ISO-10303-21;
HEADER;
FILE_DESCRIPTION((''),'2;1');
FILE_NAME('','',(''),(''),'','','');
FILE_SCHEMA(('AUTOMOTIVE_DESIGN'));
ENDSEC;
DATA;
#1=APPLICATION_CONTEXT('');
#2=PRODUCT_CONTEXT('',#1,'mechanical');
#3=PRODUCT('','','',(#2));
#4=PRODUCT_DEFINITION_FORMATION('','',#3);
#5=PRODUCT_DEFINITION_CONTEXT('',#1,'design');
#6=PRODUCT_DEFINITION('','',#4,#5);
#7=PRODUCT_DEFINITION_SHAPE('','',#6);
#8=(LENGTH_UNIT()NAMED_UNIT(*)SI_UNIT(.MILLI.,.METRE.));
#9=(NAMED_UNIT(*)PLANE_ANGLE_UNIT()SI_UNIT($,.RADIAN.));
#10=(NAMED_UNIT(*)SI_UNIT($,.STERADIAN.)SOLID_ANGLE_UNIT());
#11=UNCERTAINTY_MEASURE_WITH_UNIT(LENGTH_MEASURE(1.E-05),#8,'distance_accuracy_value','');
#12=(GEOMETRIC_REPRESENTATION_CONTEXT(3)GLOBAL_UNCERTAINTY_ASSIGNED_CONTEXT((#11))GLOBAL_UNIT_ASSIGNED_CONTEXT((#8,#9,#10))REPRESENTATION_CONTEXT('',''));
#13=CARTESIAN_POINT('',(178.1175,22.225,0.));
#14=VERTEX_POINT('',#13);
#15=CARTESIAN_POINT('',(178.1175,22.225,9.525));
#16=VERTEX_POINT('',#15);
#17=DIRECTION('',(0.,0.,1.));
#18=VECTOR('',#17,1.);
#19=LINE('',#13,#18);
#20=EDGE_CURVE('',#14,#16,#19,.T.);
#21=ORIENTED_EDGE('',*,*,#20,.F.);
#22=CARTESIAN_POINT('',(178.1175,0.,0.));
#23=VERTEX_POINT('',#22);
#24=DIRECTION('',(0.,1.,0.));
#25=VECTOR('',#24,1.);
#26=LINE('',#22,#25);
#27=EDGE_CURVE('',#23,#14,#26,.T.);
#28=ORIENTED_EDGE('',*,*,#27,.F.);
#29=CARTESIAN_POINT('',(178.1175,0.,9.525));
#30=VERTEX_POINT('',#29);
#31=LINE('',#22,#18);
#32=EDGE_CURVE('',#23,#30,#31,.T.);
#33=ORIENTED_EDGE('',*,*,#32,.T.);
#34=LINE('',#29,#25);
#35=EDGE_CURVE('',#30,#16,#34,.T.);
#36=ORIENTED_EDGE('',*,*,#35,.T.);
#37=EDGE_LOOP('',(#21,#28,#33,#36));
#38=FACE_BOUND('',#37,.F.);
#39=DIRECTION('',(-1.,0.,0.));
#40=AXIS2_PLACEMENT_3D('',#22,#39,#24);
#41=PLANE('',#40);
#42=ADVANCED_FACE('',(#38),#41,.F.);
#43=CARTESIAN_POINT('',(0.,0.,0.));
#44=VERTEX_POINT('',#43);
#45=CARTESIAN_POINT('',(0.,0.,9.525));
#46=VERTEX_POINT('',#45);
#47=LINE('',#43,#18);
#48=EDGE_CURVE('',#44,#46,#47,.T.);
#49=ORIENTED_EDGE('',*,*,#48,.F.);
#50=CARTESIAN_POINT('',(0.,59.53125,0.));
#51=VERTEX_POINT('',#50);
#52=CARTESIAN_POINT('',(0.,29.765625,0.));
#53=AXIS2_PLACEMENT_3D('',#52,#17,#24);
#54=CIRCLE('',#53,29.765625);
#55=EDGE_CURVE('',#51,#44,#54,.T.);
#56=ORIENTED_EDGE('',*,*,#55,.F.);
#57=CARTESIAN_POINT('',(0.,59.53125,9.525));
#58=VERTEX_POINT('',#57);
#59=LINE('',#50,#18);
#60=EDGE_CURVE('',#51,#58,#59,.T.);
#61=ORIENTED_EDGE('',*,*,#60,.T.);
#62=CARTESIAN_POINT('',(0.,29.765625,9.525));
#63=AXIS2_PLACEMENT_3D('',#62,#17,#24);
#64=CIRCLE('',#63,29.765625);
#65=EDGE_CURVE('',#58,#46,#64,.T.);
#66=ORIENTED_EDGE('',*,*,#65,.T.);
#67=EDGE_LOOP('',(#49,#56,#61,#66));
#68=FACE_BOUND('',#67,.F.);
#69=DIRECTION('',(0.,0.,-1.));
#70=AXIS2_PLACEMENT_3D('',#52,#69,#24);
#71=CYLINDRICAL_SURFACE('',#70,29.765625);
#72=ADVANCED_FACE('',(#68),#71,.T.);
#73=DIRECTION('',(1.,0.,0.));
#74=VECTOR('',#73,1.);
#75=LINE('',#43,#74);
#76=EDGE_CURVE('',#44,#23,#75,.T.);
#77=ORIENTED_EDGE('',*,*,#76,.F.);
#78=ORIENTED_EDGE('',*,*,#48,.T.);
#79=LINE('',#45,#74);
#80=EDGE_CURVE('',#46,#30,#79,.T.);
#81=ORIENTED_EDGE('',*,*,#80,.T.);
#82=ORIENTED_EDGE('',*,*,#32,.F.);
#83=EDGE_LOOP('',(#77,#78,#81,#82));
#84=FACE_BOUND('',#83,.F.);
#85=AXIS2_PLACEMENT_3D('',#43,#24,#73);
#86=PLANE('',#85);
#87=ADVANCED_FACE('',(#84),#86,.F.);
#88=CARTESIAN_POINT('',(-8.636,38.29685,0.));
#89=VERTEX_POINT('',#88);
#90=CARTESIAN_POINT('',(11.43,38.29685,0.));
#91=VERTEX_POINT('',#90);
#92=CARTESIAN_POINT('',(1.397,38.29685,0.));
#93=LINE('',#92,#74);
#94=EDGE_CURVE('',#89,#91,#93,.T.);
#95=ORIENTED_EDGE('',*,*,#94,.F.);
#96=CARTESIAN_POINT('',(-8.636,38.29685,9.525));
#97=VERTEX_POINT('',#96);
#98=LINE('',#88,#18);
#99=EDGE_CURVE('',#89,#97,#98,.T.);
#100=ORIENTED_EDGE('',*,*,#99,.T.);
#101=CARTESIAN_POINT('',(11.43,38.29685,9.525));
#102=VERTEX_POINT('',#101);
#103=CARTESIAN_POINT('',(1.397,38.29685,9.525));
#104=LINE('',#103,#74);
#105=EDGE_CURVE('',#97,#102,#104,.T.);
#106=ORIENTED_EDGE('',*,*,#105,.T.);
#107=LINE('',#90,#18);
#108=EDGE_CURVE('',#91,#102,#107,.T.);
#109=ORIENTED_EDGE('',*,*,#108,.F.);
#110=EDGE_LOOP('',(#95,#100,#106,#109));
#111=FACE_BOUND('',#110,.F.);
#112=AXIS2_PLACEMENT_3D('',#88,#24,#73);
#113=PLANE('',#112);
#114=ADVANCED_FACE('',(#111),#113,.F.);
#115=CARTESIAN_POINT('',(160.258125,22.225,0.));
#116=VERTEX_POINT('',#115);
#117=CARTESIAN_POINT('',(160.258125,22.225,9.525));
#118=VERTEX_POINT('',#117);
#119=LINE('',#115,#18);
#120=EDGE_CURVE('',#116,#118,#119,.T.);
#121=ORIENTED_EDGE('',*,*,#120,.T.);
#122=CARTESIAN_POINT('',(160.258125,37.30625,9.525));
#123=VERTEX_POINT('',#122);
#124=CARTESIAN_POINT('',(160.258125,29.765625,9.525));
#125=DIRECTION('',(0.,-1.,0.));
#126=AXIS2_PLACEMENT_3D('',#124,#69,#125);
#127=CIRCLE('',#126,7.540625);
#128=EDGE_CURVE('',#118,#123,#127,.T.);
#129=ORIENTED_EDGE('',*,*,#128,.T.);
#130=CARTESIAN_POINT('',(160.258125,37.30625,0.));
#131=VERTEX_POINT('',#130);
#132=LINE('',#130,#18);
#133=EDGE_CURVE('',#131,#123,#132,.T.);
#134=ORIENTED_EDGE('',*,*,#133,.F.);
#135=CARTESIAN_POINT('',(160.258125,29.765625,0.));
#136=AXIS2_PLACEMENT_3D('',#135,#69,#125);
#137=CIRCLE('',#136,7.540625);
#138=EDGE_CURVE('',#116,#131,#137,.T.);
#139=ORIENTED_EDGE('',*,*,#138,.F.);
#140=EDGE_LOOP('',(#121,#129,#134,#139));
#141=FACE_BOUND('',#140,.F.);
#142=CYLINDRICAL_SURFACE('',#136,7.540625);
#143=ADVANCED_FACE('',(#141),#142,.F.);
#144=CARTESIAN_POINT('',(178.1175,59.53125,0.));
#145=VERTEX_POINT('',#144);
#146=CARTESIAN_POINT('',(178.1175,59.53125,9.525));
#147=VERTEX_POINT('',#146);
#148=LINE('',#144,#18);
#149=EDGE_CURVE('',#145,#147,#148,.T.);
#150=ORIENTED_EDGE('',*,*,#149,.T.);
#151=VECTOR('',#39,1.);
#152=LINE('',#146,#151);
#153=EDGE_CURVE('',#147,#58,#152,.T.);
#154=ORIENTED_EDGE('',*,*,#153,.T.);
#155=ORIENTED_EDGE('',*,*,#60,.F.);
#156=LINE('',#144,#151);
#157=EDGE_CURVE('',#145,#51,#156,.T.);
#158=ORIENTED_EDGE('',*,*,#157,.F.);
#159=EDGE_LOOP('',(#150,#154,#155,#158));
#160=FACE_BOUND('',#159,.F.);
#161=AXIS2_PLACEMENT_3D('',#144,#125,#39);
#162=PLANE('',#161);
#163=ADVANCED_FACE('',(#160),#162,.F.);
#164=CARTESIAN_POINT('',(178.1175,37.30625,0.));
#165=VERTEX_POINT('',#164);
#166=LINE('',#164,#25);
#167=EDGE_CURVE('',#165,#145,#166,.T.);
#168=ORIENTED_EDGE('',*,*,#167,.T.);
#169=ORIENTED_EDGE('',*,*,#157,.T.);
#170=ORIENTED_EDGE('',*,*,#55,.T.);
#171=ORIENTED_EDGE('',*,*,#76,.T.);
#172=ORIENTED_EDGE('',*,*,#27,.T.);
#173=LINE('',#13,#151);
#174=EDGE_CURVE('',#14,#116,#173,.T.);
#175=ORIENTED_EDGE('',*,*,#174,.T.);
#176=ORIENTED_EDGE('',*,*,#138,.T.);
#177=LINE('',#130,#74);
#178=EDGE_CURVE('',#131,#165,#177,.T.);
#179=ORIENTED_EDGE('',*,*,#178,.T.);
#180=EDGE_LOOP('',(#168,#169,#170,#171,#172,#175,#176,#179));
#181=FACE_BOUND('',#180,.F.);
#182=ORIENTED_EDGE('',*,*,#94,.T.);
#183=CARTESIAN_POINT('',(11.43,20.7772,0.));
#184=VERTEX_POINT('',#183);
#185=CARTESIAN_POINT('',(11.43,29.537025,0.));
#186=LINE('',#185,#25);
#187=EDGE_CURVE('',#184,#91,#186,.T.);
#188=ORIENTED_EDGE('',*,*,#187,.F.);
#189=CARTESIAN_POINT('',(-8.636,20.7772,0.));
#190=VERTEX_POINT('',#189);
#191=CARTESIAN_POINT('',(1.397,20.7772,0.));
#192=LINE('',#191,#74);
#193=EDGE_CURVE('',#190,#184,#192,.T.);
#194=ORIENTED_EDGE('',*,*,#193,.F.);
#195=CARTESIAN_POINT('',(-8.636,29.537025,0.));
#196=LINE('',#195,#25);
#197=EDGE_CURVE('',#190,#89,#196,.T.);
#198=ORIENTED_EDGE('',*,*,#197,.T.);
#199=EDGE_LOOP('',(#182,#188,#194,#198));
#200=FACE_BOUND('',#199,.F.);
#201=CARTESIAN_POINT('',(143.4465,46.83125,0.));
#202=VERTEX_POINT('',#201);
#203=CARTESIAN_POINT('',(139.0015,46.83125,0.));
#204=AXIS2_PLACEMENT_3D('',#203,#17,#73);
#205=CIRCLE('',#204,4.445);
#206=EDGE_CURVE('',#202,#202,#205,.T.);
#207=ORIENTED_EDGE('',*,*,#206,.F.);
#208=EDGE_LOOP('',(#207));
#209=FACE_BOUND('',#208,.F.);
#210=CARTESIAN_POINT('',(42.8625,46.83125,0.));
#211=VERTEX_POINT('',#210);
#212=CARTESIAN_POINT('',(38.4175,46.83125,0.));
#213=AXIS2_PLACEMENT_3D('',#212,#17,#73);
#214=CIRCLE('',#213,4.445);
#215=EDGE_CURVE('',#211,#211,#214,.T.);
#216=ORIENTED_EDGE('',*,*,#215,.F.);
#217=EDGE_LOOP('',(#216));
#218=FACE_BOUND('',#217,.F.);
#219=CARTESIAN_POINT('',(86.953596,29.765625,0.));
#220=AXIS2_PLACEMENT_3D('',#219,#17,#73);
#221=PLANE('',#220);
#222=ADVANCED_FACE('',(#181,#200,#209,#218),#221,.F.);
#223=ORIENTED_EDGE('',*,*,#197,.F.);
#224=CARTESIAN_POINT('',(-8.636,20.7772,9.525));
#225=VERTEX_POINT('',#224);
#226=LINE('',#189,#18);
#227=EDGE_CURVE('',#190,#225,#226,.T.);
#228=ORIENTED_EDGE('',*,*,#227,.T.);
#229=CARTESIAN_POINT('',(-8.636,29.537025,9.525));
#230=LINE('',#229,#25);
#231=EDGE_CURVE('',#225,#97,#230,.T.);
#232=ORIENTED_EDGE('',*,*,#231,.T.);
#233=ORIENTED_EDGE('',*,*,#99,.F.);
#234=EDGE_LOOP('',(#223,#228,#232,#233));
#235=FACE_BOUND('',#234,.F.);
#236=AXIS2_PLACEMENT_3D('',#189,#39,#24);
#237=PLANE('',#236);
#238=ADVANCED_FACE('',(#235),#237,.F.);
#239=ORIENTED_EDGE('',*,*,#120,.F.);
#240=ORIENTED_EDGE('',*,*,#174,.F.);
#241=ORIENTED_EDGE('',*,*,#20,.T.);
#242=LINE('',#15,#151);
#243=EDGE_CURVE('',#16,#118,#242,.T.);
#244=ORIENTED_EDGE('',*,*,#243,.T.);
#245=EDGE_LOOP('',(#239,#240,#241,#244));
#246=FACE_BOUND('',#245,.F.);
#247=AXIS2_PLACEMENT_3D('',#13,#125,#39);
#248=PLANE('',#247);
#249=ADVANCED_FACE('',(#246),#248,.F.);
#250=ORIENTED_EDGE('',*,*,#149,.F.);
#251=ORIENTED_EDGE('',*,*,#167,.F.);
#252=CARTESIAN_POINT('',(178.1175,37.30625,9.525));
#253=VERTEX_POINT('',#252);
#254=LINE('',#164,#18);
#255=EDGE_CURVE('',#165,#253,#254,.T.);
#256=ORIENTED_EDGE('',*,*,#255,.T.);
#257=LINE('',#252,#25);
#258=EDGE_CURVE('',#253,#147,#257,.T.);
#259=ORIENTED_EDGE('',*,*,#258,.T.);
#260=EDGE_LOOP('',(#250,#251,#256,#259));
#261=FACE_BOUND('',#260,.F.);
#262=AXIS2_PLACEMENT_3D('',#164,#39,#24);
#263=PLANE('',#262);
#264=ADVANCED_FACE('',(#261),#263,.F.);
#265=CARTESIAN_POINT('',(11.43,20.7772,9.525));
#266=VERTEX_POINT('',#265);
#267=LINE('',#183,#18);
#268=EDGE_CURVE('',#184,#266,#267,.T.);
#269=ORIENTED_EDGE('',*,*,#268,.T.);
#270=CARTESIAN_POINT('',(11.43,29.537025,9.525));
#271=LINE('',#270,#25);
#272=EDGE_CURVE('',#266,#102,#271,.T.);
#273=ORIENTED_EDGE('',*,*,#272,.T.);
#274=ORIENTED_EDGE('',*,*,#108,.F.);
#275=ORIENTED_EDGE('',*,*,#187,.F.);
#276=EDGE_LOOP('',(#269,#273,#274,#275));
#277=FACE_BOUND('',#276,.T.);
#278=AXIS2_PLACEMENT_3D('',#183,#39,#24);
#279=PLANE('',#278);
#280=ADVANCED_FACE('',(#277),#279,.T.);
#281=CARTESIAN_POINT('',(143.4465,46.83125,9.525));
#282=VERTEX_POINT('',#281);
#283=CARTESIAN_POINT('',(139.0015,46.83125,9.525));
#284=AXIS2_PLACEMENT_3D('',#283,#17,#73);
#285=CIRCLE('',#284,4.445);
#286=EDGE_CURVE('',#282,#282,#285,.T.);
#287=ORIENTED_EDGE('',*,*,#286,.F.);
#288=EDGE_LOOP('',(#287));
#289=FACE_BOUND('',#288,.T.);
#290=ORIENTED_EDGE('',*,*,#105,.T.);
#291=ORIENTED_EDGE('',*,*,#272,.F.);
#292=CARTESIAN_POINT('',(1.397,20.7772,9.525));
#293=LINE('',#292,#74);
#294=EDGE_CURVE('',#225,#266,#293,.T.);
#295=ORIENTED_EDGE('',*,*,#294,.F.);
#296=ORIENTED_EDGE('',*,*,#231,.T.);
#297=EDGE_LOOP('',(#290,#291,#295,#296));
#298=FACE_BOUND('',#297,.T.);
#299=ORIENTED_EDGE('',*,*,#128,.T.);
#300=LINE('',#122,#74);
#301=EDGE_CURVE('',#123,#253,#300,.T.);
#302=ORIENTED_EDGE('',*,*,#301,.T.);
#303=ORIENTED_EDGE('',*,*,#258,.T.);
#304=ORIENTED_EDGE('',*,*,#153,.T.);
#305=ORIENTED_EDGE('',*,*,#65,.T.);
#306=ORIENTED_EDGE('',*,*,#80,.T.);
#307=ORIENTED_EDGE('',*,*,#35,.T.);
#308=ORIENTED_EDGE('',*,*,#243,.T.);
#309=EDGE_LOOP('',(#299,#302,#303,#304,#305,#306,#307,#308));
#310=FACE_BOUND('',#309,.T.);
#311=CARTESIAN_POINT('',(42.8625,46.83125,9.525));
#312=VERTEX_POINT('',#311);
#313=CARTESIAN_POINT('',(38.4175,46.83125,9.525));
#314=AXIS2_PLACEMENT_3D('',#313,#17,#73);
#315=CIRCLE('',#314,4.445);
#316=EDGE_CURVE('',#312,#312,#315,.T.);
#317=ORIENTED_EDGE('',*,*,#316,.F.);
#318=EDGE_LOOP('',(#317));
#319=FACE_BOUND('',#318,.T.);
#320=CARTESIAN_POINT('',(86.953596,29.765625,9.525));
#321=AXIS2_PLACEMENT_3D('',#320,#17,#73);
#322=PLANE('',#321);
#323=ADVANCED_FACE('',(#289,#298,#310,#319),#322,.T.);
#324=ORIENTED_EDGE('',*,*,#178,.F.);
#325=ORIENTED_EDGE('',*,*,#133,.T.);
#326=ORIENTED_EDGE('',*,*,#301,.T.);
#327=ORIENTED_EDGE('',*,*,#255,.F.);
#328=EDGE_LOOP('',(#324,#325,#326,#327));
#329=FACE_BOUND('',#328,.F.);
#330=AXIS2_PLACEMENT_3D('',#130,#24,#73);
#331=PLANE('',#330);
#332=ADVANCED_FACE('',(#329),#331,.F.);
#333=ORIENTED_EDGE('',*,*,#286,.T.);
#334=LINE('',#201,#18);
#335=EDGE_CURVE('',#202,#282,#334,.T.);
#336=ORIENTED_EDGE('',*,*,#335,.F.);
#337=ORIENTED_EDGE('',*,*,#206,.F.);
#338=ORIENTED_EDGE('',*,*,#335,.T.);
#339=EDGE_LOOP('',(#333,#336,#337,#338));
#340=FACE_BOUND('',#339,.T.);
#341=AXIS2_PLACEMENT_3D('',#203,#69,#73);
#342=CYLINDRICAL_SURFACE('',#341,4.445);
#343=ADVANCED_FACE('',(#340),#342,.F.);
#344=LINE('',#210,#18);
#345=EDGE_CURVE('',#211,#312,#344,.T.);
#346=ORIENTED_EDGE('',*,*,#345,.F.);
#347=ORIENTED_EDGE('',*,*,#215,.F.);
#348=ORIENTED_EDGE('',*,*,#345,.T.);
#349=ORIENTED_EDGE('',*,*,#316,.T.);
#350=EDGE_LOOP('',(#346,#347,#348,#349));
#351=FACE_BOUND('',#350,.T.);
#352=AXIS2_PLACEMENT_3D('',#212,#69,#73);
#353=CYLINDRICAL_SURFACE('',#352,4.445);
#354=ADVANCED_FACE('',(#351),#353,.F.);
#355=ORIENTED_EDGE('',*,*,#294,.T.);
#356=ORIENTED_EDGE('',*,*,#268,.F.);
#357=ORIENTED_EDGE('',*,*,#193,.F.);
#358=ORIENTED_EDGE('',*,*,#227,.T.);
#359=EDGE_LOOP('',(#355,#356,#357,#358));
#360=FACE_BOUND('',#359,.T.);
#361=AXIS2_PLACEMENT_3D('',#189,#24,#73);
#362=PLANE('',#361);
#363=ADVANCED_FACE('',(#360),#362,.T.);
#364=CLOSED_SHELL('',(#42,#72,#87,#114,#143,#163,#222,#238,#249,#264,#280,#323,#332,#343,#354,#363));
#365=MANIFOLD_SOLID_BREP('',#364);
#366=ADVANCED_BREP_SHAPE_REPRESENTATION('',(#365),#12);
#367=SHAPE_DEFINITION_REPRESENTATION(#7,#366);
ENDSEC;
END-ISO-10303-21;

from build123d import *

# Parameters (mm, degrees)
F0_W     = 20.066
F0_H     = 17.51965
F0_R     = 4.445
F1_DEPTH = 9.525


with BuildPart() as f1:
    # F0 (on Top) → F1 (new body)
    with BuildSketch(Plane.XY):
        with BuildLine():
            ThreePointArc((0, 59.53125), (-29.765625, 29.765625), (0, 0))
            Line((0, 0), (178.1175, 0))
            Line((178.1175, 0), (178.1175, 22.225))
            Line((178.1175, 22.225), (160.258125, 22.225))
            ThreePointArc((160.258125, 22.225), (152.7175, 29.765625), (160.258125, 37.30625))
            Line((160.258125, 37.30625), (178.1175, 37.30625))
            Line((178.1175, 37.30625), (178.1175, 59.53125))
            Line((178.1175, 59.53125), (0, 59.53125))
        make_face()
        with Locations((1.397, 29.537025)):
            Rectangle(F0_W, F0_H, mode=Mode.SUBTRACT)
        with Locations((38.4175, 46.83125)):
            Circle(F0_R, mode=Mode.SUBTRACT)
        with Locations((139.0015, 46.83125)):
            Circle(F0_R, mode=Mode.SUBTRACT)
    extrude(amount=F1_DEPTH)


solid = f1.part
